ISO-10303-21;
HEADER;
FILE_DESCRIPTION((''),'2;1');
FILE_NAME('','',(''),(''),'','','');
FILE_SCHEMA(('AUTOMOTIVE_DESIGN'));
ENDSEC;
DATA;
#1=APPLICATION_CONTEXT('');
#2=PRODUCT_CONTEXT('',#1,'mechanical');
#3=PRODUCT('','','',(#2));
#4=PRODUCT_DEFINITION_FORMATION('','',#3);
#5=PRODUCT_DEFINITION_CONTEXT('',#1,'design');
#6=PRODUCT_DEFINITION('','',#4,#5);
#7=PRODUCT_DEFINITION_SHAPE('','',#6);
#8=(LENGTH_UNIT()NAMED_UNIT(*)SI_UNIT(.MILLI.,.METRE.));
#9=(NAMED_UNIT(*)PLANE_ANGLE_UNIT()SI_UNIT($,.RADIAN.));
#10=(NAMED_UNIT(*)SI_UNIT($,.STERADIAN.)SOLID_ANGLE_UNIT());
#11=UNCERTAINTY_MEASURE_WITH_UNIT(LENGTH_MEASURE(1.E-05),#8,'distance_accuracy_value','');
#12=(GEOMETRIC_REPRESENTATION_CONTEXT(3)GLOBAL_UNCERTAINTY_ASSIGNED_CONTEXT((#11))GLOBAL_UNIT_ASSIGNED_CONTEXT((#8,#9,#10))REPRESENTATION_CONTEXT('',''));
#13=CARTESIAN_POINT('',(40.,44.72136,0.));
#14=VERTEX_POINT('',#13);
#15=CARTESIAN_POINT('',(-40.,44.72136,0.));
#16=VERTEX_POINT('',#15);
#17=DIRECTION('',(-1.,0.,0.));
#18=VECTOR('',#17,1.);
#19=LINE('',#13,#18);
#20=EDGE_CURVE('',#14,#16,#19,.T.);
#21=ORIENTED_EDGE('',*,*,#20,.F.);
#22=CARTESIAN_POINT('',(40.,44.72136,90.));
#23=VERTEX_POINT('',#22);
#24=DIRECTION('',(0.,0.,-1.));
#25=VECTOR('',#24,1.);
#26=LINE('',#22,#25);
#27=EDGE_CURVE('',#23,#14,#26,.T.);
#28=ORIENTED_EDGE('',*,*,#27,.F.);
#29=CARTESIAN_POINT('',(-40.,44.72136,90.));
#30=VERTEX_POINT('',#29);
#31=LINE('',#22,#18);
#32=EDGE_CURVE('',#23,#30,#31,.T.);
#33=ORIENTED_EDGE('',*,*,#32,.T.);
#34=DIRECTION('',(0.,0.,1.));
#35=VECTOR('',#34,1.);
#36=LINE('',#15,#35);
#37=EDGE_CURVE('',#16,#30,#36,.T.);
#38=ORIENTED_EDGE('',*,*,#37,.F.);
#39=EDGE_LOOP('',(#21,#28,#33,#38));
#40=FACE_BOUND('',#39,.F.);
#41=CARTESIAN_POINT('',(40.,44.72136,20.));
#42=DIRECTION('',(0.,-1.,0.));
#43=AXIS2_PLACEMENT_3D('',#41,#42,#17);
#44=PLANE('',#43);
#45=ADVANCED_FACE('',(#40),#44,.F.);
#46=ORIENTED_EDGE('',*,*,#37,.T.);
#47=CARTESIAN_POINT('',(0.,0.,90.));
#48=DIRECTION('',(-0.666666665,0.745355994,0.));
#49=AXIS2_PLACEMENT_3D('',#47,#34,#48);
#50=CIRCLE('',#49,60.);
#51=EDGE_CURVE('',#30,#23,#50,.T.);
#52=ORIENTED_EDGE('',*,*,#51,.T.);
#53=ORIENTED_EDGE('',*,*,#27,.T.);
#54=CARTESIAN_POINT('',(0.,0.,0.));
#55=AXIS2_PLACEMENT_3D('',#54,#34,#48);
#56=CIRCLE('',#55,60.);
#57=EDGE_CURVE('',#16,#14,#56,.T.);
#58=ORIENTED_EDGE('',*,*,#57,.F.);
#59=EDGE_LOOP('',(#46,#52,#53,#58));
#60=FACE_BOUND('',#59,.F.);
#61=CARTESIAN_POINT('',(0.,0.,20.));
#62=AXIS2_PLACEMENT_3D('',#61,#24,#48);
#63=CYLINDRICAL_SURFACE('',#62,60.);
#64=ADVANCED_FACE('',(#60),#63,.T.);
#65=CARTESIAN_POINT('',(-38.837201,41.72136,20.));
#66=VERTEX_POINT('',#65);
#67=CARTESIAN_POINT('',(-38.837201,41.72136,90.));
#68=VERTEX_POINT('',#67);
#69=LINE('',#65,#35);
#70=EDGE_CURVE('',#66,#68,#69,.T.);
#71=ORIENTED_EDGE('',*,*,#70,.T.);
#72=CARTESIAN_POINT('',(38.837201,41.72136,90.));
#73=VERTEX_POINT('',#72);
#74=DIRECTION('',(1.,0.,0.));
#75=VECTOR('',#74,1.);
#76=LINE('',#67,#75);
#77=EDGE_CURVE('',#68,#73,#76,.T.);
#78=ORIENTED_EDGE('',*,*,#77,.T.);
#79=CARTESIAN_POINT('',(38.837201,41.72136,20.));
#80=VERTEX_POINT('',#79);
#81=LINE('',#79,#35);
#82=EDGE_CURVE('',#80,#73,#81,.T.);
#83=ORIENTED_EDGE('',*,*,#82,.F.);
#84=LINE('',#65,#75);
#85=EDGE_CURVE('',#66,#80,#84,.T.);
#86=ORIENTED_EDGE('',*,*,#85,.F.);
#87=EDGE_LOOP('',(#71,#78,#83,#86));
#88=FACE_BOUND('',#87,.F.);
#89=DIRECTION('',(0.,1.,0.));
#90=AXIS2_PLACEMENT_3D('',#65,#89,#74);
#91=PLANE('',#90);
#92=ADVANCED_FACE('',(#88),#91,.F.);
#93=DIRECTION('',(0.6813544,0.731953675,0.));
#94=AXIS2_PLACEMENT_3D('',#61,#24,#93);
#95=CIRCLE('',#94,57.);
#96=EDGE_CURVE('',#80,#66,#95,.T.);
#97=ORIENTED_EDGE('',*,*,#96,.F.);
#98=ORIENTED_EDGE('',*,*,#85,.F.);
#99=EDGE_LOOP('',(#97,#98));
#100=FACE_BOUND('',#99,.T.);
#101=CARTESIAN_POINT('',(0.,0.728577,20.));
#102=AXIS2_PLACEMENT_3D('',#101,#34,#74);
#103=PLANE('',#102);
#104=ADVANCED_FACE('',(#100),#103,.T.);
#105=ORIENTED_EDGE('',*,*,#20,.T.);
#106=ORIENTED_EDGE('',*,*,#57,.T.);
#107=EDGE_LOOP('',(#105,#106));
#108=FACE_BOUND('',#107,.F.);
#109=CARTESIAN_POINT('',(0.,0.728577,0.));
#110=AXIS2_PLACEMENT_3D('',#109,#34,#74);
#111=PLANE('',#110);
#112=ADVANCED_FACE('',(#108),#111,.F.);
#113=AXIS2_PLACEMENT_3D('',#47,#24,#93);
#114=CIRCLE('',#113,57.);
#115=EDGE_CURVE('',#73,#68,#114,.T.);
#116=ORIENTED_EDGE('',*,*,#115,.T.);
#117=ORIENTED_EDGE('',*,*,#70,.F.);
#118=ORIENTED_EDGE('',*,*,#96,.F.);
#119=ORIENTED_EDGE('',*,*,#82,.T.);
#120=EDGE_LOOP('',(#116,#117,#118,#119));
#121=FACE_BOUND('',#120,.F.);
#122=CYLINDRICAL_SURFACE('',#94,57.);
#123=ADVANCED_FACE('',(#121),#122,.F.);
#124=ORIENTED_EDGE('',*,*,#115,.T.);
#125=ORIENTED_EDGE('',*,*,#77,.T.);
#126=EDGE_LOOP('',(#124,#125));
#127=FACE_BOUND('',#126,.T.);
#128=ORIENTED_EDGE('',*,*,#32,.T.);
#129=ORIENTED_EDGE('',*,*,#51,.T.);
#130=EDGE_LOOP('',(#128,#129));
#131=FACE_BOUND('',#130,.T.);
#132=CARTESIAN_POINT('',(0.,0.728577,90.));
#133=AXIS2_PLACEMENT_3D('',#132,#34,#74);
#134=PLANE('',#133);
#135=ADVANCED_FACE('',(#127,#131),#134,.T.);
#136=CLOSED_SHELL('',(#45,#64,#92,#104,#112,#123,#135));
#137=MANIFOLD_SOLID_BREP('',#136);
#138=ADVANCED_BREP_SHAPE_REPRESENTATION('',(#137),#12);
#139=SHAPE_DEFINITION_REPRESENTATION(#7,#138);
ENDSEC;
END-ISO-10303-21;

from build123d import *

# Parameters (mm, degrees)
F1_DEPTH = 20
F3_DEPTH = 70


with BuildPart() as f1:
    # F0 (on Top) → F1 (new body)
    with BuildSketch(Plane.XY):
        with BuildLine():
            Line((40, 44.72136), (-40, 44.72136))
            ThreePointArc((-40, 44.72136), (0, -60), (40, 44.72136))
        make_face()
    extrude(amount=F1_DEPTH)

    # F2 (on face) → F3 (join)
    with BuildSketch(Plane.XY.offset(20)):
        with BuildLine():
            Line((40, 44.72136), (-40, 44.72136))
            ThreePointArc((-40, 44.72136), (0, -60), (40, 44.72136))
        make_face()
        with BuildLine():
            ThreePointArc((38.837201, 41.72136), (0, -57), (-38.837201, 41.72136))
            Line((-38.837201, 41.72136), (38.837201, 41.72136))
        make_face(mode=Mode.SUBTRACT)
    extrude(amount=F3_DEPTH)


solid = f1.part
